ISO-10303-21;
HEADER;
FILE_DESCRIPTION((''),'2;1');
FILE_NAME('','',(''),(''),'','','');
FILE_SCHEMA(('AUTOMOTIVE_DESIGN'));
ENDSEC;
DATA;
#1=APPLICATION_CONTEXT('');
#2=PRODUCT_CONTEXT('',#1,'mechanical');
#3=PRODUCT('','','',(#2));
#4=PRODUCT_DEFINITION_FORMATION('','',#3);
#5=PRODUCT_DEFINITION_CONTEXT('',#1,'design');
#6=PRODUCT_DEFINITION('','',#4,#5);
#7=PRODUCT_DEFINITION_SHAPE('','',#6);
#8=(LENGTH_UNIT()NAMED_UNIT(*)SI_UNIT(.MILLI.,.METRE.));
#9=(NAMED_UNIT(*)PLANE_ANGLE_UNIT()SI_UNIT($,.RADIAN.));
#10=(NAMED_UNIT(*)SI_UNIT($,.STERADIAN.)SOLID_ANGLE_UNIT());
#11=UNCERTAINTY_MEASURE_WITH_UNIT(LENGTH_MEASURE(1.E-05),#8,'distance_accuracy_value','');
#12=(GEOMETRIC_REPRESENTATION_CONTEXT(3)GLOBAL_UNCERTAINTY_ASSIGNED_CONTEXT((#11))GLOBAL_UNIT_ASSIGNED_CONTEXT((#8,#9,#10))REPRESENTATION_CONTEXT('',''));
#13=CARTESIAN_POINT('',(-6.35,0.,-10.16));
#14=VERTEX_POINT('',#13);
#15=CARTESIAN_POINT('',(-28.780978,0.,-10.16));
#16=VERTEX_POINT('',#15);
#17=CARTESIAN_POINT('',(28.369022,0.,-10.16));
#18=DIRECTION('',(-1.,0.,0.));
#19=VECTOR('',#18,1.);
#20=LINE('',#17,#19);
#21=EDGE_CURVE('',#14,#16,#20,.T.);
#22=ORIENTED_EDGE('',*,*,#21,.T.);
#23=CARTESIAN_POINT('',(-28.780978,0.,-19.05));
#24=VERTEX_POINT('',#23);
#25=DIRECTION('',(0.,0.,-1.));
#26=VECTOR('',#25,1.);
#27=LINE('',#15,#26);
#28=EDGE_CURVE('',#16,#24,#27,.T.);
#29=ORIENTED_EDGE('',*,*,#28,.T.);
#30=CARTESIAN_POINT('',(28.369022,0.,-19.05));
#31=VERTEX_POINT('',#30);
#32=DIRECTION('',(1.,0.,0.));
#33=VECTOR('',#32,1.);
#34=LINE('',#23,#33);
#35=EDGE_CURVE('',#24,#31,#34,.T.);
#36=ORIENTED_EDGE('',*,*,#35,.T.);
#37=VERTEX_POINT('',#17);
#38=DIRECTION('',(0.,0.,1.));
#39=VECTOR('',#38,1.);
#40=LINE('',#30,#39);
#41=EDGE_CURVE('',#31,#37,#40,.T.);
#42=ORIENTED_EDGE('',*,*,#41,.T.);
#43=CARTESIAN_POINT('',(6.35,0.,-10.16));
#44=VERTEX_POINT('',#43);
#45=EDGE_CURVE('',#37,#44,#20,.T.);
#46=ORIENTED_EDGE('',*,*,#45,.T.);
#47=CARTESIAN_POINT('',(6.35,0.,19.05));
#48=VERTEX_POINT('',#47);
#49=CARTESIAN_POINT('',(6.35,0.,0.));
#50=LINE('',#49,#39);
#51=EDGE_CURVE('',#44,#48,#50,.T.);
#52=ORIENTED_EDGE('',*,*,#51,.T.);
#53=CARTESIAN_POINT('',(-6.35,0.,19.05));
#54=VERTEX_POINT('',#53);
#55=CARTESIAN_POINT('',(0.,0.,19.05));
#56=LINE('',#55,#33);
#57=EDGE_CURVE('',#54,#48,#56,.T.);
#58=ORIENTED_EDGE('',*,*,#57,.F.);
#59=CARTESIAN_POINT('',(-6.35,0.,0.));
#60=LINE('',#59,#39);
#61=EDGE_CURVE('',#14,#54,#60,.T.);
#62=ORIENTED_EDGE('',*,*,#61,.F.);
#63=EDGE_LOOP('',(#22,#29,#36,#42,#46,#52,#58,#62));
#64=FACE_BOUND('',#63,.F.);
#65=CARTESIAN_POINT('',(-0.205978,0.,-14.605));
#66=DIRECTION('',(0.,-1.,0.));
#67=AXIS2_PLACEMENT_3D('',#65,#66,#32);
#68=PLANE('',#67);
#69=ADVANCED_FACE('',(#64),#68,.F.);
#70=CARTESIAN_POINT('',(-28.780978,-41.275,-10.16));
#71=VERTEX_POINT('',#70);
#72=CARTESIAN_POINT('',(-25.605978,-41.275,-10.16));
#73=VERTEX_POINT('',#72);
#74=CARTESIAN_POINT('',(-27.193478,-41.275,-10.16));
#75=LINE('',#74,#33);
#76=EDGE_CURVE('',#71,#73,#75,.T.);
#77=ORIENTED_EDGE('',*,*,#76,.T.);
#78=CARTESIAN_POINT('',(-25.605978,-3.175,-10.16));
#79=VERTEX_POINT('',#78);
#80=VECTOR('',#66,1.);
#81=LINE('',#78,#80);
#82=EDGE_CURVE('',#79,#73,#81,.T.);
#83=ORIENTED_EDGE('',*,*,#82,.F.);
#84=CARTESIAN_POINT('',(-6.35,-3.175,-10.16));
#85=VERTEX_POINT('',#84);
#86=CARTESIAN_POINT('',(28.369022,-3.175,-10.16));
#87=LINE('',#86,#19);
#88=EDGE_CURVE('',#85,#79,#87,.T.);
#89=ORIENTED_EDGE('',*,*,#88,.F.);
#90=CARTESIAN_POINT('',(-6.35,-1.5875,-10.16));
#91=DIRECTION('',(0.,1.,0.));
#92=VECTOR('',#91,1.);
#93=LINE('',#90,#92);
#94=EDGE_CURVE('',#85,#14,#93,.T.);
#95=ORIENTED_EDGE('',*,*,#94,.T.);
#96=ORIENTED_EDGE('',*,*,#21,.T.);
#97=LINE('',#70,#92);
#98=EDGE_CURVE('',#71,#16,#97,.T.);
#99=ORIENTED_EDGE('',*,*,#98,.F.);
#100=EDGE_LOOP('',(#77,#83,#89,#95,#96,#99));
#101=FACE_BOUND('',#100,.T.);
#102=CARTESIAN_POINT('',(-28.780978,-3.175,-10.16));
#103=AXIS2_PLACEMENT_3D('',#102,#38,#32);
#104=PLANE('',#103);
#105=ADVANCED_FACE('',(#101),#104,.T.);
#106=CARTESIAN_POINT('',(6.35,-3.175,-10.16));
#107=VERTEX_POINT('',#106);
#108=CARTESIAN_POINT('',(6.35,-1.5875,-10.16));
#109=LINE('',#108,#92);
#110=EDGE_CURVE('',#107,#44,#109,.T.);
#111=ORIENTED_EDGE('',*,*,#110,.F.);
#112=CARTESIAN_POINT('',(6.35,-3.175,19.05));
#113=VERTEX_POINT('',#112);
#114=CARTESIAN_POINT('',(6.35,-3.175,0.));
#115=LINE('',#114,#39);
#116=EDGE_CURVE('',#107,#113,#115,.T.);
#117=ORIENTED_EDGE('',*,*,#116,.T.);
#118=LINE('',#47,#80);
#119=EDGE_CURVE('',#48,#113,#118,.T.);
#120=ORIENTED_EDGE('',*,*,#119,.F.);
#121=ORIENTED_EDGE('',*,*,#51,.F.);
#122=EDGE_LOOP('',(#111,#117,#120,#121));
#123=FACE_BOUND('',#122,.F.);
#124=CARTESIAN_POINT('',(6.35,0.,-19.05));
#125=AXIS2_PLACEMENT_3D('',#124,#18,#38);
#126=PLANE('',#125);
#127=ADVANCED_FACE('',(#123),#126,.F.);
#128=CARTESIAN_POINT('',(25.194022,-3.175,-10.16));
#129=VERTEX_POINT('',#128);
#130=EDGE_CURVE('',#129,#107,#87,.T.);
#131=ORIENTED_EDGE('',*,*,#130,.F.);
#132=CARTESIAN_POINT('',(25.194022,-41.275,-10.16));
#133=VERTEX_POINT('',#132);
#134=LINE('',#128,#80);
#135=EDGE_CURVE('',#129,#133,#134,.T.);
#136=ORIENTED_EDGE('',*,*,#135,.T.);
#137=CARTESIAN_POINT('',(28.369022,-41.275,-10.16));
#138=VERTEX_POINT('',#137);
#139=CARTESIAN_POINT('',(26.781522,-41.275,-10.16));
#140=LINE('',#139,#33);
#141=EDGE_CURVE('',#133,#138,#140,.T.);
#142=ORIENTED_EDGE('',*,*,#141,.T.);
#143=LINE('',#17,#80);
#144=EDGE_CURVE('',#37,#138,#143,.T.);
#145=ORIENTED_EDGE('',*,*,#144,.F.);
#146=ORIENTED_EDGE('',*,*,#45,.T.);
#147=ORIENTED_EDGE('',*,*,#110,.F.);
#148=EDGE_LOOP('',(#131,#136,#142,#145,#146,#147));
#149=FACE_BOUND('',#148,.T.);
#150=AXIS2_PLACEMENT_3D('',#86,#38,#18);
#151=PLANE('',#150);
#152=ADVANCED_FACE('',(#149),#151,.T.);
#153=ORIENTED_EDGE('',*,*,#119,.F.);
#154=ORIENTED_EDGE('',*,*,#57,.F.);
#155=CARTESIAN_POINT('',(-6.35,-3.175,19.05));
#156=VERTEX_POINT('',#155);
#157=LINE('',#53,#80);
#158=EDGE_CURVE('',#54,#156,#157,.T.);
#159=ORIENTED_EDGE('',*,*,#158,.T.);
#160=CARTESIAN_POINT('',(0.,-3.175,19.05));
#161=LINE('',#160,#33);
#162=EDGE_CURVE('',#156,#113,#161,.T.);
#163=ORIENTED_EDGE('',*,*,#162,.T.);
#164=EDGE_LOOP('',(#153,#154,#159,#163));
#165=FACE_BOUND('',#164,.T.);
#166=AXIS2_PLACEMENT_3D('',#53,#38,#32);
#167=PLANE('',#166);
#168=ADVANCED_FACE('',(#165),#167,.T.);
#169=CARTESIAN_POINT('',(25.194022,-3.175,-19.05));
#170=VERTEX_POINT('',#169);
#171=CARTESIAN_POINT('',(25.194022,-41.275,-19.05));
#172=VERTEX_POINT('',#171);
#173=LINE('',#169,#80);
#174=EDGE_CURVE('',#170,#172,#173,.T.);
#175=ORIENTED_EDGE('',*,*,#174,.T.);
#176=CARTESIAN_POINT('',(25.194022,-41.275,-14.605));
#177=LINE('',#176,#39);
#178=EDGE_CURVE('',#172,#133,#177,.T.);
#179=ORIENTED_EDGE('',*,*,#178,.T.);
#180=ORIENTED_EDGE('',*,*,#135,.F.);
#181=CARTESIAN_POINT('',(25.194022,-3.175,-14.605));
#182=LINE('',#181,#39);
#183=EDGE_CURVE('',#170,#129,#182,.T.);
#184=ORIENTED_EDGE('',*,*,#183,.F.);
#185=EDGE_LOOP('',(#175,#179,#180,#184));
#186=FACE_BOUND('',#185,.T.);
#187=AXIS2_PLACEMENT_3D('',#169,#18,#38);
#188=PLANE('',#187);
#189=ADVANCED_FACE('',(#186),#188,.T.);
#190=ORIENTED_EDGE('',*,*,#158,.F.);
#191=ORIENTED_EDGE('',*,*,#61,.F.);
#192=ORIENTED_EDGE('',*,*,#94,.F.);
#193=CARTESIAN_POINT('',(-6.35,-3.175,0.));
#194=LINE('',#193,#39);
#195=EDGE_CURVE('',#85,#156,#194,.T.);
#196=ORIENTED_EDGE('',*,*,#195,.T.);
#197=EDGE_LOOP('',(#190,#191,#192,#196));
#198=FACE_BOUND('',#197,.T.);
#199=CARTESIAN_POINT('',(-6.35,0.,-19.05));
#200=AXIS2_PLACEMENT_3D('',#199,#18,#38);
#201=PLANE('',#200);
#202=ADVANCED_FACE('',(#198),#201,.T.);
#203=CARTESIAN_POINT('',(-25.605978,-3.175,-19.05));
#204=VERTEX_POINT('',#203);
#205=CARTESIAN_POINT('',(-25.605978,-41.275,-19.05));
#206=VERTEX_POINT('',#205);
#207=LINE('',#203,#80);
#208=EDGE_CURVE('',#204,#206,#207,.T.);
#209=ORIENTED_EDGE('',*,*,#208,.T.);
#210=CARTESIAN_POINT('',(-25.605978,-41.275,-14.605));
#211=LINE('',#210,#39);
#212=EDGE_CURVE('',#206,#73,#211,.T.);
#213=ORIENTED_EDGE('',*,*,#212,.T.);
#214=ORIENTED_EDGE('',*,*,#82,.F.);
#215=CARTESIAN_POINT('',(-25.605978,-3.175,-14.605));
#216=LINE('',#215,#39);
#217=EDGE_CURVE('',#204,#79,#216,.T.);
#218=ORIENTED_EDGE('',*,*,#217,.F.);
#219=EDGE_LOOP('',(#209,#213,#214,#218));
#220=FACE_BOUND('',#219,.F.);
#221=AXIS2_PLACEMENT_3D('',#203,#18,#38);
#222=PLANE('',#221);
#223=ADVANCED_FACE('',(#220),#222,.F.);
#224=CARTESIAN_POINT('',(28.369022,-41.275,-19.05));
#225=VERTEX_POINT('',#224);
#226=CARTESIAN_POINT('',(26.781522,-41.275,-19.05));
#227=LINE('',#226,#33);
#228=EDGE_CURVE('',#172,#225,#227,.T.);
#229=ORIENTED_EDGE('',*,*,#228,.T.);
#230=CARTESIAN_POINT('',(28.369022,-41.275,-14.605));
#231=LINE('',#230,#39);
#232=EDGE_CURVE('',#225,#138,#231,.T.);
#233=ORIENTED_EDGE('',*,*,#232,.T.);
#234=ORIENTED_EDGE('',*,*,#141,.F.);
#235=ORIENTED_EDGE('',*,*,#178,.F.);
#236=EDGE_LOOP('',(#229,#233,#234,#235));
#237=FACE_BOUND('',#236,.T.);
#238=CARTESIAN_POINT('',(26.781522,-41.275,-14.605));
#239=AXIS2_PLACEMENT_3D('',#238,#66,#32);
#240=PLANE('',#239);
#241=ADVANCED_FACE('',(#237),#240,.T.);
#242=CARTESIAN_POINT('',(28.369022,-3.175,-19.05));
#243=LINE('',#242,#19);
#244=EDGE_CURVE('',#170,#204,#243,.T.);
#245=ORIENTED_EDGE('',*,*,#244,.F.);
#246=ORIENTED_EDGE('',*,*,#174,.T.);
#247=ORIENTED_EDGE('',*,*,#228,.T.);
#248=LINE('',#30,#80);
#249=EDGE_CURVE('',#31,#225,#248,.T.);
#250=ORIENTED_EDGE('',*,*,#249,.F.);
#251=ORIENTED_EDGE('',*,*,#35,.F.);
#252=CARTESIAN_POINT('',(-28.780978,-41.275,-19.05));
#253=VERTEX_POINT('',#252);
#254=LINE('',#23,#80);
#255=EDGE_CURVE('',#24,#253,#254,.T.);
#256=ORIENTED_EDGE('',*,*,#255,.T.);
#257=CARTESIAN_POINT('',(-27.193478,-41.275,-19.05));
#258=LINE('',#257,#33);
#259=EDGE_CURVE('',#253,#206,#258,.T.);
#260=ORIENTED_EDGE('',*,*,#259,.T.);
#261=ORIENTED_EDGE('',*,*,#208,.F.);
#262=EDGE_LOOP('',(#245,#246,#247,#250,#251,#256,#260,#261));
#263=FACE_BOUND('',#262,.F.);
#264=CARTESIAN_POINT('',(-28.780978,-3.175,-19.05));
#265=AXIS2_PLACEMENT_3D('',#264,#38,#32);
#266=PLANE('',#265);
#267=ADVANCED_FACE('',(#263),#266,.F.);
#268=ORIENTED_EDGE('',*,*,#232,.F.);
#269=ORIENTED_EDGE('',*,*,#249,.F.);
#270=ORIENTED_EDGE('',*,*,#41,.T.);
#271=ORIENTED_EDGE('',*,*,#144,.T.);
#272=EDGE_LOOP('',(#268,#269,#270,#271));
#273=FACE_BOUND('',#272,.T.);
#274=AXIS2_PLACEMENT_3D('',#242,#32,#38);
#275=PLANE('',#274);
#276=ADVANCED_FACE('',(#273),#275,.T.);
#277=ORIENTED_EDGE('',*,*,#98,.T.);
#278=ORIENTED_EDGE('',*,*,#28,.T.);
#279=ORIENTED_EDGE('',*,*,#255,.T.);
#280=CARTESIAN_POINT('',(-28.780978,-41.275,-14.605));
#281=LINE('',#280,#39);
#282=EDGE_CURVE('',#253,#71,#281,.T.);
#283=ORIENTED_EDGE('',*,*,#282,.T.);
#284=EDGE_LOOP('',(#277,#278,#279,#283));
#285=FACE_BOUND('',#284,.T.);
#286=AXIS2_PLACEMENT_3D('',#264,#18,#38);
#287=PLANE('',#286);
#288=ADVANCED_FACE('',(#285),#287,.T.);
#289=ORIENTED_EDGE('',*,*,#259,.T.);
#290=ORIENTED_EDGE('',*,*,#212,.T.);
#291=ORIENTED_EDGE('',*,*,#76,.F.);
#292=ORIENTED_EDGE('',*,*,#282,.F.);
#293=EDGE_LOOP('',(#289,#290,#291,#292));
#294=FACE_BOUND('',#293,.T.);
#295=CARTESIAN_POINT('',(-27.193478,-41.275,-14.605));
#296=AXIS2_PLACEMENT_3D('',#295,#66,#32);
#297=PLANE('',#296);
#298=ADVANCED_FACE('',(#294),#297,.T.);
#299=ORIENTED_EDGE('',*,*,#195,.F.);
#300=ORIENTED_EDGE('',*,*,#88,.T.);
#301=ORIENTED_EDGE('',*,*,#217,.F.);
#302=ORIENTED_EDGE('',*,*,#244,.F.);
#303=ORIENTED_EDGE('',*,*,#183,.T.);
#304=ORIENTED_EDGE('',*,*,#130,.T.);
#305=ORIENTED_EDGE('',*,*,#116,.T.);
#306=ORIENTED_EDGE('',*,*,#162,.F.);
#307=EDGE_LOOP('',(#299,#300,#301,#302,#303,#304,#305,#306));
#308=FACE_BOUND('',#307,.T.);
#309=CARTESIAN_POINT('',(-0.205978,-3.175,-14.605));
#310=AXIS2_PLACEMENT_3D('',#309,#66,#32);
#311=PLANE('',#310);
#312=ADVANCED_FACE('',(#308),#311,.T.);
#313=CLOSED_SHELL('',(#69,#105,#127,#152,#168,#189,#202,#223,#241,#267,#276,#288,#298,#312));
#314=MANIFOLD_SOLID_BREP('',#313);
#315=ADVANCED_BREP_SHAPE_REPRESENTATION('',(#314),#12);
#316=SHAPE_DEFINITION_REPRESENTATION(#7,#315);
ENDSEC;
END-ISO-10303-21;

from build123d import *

# Parameters (mm, degrees)
F0_W     = 12.7
F0_H     = 38.1
F1_DEPTH = 3.175
F3_DEPTH = 3.175
F4_W     = 3.175
F4_H     = 8.89
F5_DEPTH = 38.1


with BuildPart() as f1:
    # F0 (on Front) → F1 (new body)
    with BuildSketch(Plane.XZ):
        Rectangle(F0_W, F0_H)
    extrude(amount=F1_DEPTH)

    # F2 (on face) → F3 (join)
    with BuildSketch(Plane.XZ.offset(3.175)):
        Polygon((-4.688735, -19.05), (6.35, -19.05), (28.369022, -19.05), (28.369022, -10.16), (3.864823, -10.16), (-6.35, -10.16), (-28.780978, -10.16), (-28.780978, -19.05), align=None)
    extrude(amount=-F3_DEPTH)

    # F4 (on face) → F5 (join)
    with BuildSketch(Plane.XZ.offset(3.175)):
        with Locations((-27.193478, -14.605)):
            Rectangle(F4_W, F4_H)
        with Locations((26.781522, -14.605)):
            Rectangle(F4_W, F4_H)
    extrude(amount=F5_DEPTH)


solid = f1.part
